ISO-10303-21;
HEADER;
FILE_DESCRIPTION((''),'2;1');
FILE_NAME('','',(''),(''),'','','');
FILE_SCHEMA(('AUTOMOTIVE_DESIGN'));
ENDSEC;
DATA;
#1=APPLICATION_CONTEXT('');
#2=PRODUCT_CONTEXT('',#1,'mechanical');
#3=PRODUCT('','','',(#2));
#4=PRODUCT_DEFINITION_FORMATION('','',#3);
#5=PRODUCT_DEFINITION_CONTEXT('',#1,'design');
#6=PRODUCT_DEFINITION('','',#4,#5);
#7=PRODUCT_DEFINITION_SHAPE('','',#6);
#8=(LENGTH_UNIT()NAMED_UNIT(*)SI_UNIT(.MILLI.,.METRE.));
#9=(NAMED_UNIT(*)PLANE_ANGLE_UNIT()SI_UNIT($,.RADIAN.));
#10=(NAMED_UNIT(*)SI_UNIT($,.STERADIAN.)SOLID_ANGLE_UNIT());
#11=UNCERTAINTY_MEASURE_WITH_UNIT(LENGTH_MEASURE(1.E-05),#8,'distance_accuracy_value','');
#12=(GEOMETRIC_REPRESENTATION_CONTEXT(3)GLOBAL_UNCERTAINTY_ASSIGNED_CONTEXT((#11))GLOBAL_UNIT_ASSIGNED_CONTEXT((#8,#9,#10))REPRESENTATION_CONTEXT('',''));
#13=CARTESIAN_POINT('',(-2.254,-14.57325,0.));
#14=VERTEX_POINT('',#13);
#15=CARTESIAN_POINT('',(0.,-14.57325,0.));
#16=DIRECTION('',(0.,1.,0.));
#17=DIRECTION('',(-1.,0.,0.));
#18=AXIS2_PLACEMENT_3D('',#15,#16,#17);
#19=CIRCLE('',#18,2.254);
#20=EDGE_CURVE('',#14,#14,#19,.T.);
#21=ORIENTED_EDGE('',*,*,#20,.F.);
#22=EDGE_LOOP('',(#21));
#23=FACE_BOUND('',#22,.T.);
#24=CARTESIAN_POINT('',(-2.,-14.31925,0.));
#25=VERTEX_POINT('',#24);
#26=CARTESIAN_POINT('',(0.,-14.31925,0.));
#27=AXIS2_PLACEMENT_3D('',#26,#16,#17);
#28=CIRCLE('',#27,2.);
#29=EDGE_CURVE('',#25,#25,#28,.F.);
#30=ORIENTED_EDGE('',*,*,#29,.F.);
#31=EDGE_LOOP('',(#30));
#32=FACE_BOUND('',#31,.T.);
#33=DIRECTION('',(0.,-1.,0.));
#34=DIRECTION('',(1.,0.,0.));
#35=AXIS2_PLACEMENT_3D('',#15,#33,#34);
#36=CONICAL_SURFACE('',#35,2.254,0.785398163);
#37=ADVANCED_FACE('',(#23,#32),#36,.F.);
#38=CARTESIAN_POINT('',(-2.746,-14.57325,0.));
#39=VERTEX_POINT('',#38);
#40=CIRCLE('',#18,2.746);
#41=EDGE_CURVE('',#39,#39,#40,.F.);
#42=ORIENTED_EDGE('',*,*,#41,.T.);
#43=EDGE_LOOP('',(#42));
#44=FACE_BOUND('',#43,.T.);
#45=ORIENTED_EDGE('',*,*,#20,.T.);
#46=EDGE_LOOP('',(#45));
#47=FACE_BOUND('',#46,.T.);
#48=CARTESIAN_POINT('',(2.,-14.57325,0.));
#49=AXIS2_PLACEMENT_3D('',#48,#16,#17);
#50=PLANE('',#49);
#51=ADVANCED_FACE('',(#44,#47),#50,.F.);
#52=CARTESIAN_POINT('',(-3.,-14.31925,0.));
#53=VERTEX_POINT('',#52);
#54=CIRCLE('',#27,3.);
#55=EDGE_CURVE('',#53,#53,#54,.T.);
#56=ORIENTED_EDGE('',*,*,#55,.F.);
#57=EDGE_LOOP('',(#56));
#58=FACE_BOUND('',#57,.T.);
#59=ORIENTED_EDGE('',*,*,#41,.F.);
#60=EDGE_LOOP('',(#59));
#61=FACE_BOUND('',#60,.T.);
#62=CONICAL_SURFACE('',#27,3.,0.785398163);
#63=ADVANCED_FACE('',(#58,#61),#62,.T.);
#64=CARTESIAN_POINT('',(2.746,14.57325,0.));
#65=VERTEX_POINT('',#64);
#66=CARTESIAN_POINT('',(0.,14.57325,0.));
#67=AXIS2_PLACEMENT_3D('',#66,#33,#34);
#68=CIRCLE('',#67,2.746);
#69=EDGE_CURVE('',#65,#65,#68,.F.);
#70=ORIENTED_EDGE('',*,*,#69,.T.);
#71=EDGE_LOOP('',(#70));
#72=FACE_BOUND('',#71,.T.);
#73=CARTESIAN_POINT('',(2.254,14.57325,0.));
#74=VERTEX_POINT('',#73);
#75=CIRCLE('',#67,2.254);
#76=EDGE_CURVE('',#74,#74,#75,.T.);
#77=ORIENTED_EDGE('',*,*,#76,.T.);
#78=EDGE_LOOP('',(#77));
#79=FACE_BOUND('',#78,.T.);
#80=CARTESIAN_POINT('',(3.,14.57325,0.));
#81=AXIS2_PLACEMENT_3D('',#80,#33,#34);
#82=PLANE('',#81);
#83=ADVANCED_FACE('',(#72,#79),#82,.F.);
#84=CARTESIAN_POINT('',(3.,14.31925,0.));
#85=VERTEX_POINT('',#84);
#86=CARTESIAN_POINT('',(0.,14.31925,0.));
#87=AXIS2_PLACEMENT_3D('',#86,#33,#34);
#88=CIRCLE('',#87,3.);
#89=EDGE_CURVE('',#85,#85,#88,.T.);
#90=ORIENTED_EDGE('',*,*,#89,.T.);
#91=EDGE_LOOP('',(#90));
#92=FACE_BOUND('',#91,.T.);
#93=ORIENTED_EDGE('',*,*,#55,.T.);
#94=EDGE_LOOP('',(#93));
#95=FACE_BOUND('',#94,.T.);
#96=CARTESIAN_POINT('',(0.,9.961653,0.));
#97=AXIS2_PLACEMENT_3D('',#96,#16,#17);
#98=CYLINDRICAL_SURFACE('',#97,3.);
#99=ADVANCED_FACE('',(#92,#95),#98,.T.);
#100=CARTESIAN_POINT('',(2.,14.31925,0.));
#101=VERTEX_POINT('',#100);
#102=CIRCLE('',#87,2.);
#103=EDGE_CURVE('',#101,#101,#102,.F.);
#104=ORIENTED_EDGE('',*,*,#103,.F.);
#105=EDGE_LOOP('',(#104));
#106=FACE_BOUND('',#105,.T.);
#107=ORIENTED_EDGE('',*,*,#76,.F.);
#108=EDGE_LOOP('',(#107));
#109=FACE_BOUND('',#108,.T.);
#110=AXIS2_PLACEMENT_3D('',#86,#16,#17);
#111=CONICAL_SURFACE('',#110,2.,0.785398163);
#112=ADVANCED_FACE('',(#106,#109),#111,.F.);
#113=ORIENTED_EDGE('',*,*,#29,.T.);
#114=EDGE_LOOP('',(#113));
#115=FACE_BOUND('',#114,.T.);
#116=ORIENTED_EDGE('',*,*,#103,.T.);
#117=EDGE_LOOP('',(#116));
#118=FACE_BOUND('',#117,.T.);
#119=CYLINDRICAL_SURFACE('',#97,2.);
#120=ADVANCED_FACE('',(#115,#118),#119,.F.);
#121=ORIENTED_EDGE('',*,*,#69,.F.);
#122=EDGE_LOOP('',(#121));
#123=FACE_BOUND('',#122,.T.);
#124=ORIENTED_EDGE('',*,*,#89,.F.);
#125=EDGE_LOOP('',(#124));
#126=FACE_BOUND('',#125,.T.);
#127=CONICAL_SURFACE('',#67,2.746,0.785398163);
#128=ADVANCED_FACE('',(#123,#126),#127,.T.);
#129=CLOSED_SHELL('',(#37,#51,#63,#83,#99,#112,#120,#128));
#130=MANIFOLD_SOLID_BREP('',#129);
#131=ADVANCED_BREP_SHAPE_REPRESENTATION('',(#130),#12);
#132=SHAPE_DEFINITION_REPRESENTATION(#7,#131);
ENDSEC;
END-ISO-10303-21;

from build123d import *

# Parameters (mm, degrees)
SKETCH2_W     = 1
SKETCH2_H     = 29.1465
CHAMFER2_SIZE = 0.254


with BuildPart() as part:
    # Sketch2 → Revolve1 (revolve)
    with BuildSketch(Plane.XY):
        with Locations((2.5, 0)):
            Rectangle(SKETCH2_W, SKETCH2_H)
    revolve(axis=Axis((0, 9.961653463, 0), (0, -1, 0)))

    # Chamfer2
    chamfer2_edges = [part.edges().sort_by_distance(p)[0] for p in [
        (-3, 14.57325, 0),
        (-3, -14.57325, 0),
        (-2, -14.57325, 0),
        (-2, 14.57325, 0),
    ]]
    chamfer(chamfer2_edges, length=CHAMFER2_SIZE)


solid = part.part
